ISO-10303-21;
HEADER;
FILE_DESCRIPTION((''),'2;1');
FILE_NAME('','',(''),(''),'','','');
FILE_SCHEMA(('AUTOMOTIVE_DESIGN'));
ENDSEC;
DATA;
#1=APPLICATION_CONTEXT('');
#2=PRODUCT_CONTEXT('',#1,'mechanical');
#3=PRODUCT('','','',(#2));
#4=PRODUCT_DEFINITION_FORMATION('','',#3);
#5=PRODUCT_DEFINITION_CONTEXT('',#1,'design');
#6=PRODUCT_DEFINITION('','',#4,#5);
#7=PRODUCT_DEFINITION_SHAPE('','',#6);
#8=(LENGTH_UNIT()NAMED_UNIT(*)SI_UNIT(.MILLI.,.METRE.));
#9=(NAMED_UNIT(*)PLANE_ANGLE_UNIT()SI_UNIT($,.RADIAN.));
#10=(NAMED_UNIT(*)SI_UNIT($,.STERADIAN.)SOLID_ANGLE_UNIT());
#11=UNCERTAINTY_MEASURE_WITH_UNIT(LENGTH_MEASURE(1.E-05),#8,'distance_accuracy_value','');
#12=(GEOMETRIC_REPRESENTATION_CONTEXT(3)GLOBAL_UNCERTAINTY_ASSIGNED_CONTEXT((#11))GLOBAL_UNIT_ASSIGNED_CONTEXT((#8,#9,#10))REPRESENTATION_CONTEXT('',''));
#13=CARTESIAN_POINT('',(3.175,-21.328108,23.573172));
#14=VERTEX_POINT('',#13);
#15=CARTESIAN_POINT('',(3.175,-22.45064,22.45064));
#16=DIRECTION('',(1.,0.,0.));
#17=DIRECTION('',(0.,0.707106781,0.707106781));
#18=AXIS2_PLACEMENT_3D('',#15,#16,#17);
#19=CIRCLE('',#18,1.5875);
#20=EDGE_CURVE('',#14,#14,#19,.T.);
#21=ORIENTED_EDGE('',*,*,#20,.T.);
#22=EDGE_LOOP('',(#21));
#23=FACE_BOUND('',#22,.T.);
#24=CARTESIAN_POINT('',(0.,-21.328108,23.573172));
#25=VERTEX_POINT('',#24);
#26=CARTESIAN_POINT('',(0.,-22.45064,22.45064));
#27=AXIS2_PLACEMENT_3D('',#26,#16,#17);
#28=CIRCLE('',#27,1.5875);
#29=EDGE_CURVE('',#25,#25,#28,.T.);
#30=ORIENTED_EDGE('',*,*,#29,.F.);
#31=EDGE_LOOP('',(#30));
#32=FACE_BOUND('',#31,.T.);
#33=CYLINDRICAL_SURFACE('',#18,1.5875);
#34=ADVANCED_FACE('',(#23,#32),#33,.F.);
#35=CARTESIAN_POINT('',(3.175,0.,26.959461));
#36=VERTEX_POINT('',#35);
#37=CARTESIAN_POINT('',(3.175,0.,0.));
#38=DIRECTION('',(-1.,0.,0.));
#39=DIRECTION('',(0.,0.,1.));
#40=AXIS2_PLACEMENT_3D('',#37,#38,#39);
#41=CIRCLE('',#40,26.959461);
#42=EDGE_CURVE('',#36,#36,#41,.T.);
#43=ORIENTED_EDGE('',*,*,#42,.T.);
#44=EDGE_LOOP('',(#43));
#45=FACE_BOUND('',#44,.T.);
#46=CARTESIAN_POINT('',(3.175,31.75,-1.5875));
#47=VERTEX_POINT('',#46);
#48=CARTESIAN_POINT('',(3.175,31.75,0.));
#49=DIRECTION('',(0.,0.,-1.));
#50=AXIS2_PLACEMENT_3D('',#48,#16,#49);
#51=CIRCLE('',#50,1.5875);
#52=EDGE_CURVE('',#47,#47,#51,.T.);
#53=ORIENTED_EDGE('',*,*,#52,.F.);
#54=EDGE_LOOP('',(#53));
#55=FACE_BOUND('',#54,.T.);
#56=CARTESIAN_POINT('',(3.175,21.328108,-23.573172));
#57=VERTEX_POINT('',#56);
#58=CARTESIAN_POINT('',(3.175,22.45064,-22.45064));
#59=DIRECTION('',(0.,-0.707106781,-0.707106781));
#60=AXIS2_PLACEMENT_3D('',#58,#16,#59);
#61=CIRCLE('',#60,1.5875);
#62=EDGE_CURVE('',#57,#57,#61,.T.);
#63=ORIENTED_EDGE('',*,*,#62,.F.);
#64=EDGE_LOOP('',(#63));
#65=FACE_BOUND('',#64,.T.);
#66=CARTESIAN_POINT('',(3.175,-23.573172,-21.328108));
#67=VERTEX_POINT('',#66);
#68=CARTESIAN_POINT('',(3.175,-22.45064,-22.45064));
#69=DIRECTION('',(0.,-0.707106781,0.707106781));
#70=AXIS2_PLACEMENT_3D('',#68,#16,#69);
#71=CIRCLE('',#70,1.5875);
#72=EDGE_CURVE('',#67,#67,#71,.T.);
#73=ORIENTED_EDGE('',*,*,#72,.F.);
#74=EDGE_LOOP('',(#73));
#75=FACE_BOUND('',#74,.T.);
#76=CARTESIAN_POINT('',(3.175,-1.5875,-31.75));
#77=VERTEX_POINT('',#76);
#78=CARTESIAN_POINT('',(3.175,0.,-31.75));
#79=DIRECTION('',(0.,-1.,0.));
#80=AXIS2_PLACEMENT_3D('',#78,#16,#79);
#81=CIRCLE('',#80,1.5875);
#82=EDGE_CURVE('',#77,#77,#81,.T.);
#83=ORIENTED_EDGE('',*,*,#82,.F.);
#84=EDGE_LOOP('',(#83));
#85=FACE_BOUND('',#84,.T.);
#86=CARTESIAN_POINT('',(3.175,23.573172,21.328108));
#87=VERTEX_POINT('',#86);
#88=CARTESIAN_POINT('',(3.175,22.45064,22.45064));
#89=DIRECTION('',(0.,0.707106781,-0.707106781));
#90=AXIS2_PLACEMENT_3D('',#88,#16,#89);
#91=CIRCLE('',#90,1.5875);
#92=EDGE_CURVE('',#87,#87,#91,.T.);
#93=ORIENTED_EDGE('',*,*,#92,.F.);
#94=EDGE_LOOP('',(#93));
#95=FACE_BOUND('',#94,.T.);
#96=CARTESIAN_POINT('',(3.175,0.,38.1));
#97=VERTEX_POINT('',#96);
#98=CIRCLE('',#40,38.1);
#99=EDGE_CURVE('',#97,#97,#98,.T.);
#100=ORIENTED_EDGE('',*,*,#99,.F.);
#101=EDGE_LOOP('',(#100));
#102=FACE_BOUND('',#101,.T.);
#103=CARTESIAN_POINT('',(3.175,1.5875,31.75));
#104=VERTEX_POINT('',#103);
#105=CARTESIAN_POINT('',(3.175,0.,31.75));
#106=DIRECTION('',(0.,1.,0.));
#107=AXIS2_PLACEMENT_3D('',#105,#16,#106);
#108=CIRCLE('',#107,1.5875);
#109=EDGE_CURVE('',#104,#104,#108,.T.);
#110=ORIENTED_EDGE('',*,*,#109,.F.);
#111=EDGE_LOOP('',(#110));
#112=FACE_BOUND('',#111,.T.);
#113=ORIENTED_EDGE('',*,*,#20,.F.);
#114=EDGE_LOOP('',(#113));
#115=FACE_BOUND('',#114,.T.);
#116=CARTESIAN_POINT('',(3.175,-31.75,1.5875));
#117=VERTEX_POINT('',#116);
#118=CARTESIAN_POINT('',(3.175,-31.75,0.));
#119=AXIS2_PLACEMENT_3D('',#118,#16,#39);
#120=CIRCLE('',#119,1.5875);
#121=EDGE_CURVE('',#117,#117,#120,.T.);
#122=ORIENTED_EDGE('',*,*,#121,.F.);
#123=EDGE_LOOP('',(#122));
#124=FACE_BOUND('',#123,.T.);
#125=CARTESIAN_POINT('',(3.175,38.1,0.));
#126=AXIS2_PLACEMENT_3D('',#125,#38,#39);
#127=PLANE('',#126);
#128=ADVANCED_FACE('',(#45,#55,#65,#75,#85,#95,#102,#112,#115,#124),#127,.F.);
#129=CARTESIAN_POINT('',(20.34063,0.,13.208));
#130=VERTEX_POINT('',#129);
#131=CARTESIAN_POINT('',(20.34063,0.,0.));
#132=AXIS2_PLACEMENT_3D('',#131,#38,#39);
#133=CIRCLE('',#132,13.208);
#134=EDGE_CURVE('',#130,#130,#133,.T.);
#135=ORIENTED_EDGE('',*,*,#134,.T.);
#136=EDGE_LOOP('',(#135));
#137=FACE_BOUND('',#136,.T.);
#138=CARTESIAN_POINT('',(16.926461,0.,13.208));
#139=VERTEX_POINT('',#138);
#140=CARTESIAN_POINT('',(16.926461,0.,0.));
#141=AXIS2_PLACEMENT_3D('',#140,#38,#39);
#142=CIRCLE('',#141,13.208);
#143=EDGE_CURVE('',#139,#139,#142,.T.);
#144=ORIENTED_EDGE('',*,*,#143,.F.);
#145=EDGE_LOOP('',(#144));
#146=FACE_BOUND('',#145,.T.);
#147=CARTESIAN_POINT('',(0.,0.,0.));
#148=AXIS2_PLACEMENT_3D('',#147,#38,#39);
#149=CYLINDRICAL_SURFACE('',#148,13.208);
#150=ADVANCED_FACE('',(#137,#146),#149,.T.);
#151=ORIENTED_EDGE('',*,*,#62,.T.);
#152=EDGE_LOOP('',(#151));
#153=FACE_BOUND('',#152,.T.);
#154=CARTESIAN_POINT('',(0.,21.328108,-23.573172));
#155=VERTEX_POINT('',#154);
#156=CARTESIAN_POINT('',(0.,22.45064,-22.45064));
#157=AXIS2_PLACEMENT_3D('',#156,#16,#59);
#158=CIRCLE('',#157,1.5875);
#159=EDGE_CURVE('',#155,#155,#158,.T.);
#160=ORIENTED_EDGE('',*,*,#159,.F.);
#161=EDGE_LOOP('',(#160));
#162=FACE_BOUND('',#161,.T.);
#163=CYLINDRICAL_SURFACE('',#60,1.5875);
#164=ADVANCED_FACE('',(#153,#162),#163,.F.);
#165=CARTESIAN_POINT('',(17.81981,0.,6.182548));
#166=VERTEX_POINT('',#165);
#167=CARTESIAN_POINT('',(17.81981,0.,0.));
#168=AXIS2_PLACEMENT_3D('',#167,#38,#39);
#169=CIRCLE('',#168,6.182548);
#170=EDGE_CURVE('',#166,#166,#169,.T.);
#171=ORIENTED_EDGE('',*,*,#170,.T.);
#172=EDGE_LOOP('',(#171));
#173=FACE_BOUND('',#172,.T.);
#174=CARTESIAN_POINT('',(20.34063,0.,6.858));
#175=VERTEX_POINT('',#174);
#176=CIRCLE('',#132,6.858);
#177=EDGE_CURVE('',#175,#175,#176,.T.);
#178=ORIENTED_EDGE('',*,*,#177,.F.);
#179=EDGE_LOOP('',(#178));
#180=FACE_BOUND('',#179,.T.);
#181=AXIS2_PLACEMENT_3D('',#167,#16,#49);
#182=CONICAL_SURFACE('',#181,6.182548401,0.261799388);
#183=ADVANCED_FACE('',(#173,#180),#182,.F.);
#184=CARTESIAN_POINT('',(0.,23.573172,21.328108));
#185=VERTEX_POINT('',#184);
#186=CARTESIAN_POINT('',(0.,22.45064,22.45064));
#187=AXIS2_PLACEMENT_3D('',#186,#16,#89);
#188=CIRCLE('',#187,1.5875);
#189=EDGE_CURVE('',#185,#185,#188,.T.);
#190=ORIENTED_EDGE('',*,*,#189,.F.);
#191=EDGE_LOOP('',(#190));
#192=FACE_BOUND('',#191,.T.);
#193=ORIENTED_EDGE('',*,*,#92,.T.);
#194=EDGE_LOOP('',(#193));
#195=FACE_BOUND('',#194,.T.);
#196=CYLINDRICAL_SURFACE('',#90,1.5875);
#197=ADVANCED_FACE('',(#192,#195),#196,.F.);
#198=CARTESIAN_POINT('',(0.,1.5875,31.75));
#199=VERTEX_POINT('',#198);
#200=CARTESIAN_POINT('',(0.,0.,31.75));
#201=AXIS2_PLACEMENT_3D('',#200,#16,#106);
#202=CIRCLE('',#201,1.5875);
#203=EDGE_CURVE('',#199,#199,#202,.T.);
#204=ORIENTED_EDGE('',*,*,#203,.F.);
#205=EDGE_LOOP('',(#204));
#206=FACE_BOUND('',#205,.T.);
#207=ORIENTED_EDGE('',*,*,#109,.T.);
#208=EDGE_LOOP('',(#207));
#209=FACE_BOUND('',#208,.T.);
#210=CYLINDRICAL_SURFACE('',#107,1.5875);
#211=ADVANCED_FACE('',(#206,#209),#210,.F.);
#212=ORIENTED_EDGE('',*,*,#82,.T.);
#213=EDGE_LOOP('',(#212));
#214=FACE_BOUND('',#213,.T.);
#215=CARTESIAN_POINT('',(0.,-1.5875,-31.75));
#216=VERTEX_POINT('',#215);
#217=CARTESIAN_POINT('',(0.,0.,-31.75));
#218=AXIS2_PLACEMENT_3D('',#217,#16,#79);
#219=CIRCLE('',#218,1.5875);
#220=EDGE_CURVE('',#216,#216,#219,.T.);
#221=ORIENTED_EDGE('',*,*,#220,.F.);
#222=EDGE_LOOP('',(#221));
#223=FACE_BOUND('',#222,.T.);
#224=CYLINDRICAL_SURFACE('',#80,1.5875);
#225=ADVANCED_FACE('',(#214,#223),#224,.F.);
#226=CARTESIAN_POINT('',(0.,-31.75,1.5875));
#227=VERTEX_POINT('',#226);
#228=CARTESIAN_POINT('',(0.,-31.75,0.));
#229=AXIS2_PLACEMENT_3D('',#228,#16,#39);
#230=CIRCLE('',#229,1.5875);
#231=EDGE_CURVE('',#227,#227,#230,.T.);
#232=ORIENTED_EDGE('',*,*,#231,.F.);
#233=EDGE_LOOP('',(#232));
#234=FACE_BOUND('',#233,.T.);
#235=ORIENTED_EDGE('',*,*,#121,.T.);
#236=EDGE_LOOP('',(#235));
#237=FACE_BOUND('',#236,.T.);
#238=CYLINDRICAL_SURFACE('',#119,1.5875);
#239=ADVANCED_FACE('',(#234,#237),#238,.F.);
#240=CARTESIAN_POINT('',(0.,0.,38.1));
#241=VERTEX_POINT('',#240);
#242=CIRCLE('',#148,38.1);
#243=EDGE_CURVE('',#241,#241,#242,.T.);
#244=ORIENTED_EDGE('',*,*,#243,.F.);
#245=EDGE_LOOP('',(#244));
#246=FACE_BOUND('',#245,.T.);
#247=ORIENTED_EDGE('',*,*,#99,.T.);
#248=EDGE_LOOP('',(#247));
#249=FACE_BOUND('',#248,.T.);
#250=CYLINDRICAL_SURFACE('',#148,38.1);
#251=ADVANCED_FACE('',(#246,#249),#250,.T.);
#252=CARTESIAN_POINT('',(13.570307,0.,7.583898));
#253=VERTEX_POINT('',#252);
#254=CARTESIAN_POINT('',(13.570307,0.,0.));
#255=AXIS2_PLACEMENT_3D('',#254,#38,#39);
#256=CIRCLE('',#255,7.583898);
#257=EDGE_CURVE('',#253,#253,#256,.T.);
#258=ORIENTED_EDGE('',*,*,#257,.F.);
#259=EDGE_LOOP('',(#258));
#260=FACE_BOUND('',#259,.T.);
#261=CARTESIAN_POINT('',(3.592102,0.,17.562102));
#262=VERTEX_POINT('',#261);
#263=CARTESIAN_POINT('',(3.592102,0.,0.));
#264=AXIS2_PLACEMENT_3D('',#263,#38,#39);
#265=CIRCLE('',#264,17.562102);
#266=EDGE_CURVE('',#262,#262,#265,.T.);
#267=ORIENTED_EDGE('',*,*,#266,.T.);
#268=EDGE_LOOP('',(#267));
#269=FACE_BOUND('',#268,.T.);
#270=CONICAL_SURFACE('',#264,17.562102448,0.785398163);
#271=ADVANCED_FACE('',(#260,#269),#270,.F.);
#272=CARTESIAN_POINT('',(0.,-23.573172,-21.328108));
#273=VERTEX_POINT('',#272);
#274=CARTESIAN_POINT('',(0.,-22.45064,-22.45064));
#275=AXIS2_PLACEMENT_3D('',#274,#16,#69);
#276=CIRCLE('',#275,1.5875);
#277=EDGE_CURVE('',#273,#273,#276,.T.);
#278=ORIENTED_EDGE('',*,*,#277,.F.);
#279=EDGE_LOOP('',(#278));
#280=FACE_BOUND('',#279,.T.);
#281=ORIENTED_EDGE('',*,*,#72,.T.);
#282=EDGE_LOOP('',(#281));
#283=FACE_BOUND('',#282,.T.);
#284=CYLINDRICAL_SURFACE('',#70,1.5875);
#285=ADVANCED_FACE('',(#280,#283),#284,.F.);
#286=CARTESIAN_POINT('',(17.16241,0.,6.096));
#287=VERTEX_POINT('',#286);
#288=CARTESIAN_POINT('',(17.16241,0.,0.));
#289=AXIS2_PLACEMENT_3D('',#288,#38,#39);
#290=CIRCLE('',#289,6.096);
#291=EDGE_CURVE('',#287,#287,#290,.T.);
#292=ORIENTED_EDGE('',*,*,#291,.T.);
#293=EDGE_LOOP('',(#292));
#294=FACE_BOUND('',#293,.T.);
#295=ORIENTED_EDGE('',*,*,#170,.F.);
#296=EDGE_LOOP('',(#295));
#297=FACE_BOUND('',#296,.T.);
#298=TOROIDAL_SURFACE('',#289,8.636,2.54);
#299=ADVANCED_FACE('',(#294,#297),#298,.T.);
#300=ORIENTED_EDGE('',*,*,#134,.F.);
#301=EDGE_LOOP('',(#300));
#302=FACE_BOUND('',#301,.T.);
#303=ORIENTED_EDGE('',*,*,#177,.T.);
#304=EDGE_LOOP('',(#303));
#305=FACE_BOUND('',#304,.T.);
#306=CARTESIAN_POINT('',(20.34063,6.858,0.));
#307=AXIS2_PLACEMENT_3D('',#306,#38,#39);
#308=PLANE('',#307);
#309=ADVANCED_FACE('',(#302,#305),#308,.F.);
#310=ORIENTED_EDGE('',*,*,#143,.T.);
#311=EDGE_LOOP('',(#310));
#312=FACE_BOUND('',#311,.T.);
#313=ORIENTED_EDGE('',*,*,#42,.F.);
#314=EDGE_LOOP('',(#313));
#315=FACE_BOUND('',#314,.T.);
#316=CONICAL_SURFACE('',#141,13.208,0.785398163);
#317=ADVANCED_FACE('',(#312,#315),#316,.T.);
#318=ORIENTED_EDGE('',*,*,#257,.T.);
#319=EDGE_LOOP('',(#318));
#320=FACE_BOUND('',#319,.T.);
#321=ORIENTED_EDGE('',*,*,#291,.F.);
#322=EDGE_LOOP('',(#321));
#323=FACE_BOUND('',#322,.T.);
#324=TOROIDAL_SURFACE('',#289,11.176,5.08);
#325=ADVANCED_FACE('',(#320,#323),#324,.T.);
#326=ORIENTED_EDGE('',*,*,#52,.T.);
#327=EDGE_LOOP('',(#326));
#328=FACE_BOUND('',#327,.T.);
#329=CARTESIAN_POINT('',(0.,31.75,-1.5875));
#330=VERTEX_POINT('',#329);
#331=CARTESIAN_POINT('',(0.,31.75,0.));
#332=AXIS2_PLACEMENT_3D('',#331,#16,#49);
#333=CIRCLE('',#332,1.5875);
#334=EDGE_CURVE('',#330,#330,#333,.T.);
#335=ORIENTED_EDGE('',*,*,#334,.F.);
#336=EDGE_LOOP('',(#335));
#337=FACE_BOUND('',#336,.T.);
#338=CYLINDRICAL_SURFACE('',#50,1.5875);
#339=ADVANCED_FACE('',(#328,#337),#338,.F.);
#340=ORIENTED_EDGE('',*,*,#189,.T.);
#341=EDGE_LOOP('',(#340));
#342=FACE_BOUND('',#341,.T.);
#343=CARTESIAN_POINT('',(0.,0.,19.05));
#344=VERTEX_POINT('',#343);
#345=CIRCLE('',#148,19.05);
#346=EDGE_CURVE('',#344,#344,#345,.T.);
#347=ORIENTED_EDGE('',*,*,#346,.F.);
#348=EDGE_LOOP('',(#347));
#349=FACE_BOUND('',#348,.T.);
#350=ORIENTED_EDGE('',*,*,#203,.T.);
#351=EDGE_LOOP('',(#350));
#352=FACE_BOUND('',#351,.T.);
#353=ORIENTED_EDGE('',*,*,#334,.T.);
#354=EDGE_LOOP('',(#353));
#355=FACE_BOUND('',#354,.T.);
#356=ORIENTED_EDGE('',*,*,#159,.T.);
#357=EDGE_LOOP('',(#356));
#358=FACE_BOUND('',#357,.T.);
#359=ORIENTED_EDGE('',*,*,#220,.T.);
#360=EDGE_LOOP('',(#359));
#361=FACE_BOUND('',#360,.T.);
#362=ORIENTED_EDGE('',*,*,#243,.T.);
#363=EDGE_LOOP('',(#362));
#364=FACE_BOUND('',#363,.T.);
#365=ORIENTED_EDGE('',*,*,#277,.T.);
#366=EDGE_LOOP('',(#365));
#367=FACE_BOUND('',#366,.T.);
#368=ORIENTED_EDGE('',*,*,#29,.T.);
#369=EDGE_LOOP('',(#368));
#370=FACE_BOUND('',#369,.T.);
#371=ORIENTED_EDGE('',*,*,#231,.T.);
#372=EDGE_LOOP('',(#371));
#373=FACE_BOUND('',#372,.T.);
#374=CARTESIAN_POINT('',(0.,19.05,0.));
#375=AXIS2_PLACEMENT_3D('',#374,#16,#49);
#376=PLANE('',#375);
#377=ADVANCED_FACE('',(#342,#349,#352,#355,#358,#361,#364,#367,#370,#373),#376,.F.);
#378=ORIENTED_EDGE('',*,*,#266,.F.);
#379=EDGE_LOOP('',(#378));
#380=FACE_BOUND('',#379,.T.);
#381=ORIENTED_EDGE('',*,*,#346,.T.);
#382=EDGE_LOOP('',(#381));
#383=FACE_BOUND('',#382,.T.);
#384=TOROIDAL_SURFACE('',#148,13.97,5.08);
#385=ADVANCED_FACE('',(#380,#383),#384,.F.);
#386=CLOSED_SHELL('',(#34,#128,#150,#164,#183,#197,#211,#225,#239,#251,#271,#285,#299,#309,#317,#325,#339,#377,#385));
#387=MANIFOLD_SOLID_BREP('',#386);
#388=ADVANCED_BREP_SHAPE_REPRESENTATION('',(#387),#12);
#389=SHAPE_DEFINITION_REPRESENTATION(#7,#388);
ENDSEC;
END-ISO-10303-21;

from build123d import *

# Parameters (mm, degrees)
F_1_8_0_125_DIAMETER_HOLE1_D = 3.175
CIRPATTERN1_COUNT            = 8


with BuildPart() as part:
    # Sketch1 → Revolve1 (revolve)
    with BuildSketch(Plane.XY):
        with BuildLine():
            Line((3.592102448, 17.562102448), (13.570307345, 7.583897552))
            ThreePointArc((13.570307345, 7.583897552), (15.218377957, 6.482691975), (17.162409794, 6.096))
            ThreePointArc((17.162409794, 6.096), (17.493946322, 6.117730052), (17.819810168, 6.182548401))
            Line((17.819810168, 6.182548401), (20.340629853, 6.858))
            Line((20.340629853, 6.858), (20.340629853, 13.208))
            Line((20.340629853, 13.208), (16.926461018, 13.208))
            Line((16.926461018, 13.208), (3.175, 26.959461018))
            Line((3.175, 26.959461018), (3.175, 38.1))
            Line((3.175, 38.1), (0, 38.1))
            Line((0, 38.1), (0, 19.05))
            ThreePointArc((0, 19.05), (1.944031836, 18.663308025), (3.592102448, 17.562102448))
        make_face()
    revolve(axis=Axis((0, 0, 0), (1, 0, 0)))

    # 1/8 (0.125) Diameter Hole1 (through all)
    with Locations(Plane(origin=(3.175, 0, 0), x_dir=(0, 0, -1), z_dir=(1, 0, 0))):
        with Locations((0, 31.75)):
            f_1_8_0_125_diameter_hole1 = Hole(F_1_8_0_125_DIAMETER_HOLE1_D / 2)

    # CirPattern1: 1/8 (0.125) Diameter Hole1 ×8 about axis
    cirpattern1_axis = Axis((-78.819685074, 0, 0), (1, 0, 0))
    for i in range(1, CIRPATTERN1_COUNT):
        add(f_1_8_0_125_diameter_hole1.rotate(cirpattern1_axis, i * 360 / CIRPATTERN1_COUNT), mode=Mode.SUBTRACT)


solid = part.part
